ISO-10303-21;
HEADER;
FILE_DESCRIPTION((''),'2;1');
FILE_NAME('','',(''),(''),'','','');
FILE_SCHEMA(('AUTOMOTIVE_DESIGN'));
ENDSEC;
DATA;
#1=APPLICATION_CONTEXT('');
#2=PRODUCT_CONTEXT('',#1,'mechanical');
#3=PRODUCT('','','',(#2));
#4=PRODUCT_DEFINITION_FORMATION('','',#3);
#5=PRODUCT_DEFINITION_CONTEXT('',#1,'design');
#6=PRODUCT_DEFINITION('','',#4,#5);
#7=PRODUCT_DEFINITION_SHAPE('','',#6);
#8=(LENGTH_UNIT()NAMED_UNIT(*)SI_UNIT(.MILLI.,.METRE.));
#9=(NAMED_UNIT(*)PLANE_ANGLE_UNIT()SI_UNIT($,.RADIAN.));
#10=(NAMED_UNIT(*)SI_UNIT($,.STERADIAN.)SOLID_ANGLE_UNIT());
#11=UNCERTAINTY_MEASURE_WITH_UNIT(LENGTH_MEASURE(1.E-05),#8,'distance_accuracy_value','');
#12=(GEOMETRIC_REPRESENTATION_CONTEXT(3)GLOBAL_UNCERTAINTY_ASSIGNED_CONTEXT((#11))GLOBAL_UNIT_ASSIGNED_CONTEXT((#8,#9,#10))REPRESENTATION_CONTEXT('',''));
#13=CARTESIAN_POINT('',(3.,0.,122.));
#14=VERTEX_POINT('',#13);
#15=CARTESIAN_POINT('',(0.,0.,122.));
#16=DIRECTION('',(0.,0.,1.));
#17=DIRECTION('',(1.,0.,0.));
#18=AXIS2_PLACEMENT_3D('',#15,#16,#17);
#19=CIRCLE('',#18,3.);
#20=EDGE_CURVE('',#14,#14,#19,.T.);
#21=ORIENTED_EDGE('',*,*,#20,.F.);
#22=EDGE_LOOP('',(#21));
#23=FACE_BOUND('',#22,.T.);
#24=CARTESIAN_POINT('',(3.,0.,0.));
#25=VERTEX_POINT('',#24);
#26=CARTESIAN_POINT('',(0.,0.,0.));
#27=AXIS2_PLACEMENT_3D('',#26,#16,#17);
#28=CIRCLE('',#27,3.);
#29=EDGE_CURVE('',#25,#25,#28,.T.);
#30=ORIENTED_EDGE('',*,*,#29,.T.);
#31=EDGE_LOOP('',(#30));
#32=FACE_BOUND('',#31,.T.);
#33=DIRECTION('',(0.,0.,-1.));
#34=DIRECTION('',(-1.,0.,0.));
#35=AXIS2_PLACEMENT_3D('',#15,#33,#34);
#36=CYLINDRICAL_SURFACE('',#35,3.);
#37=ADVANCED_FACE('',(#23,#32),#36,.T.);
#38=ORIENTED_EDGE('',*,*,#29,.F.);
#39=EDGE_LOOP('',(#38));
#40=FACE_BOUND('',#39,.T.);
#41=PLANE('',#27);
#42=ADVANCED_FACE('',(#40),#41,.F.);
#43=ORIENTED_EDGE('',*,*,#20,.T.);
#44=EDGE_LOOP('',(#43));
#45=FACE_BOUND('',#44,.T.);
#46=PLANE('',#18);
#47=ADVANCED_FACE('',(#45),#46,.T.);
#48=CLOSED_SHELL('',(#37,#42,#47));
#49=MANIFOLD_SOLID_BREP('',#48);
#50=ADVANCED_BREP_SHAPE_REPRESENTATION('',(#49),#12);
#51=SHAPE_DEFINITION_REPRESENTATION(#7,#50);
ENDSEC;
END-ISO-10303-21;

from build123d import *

# Parameters (mm, degrees)
SKETCH1_R           = 3
BOSS_EXTRUDE1_DEPTH = 122


with BuildPart() as part:
    # Sketch1 → Boss-Extrude1 (new body)
    with BuildSketch(Plane.XY):
        Circle(SKETCH1_R)
    extrude(amount=BOSS_EXTRUDE1_DEPTH)


solid = part.part
